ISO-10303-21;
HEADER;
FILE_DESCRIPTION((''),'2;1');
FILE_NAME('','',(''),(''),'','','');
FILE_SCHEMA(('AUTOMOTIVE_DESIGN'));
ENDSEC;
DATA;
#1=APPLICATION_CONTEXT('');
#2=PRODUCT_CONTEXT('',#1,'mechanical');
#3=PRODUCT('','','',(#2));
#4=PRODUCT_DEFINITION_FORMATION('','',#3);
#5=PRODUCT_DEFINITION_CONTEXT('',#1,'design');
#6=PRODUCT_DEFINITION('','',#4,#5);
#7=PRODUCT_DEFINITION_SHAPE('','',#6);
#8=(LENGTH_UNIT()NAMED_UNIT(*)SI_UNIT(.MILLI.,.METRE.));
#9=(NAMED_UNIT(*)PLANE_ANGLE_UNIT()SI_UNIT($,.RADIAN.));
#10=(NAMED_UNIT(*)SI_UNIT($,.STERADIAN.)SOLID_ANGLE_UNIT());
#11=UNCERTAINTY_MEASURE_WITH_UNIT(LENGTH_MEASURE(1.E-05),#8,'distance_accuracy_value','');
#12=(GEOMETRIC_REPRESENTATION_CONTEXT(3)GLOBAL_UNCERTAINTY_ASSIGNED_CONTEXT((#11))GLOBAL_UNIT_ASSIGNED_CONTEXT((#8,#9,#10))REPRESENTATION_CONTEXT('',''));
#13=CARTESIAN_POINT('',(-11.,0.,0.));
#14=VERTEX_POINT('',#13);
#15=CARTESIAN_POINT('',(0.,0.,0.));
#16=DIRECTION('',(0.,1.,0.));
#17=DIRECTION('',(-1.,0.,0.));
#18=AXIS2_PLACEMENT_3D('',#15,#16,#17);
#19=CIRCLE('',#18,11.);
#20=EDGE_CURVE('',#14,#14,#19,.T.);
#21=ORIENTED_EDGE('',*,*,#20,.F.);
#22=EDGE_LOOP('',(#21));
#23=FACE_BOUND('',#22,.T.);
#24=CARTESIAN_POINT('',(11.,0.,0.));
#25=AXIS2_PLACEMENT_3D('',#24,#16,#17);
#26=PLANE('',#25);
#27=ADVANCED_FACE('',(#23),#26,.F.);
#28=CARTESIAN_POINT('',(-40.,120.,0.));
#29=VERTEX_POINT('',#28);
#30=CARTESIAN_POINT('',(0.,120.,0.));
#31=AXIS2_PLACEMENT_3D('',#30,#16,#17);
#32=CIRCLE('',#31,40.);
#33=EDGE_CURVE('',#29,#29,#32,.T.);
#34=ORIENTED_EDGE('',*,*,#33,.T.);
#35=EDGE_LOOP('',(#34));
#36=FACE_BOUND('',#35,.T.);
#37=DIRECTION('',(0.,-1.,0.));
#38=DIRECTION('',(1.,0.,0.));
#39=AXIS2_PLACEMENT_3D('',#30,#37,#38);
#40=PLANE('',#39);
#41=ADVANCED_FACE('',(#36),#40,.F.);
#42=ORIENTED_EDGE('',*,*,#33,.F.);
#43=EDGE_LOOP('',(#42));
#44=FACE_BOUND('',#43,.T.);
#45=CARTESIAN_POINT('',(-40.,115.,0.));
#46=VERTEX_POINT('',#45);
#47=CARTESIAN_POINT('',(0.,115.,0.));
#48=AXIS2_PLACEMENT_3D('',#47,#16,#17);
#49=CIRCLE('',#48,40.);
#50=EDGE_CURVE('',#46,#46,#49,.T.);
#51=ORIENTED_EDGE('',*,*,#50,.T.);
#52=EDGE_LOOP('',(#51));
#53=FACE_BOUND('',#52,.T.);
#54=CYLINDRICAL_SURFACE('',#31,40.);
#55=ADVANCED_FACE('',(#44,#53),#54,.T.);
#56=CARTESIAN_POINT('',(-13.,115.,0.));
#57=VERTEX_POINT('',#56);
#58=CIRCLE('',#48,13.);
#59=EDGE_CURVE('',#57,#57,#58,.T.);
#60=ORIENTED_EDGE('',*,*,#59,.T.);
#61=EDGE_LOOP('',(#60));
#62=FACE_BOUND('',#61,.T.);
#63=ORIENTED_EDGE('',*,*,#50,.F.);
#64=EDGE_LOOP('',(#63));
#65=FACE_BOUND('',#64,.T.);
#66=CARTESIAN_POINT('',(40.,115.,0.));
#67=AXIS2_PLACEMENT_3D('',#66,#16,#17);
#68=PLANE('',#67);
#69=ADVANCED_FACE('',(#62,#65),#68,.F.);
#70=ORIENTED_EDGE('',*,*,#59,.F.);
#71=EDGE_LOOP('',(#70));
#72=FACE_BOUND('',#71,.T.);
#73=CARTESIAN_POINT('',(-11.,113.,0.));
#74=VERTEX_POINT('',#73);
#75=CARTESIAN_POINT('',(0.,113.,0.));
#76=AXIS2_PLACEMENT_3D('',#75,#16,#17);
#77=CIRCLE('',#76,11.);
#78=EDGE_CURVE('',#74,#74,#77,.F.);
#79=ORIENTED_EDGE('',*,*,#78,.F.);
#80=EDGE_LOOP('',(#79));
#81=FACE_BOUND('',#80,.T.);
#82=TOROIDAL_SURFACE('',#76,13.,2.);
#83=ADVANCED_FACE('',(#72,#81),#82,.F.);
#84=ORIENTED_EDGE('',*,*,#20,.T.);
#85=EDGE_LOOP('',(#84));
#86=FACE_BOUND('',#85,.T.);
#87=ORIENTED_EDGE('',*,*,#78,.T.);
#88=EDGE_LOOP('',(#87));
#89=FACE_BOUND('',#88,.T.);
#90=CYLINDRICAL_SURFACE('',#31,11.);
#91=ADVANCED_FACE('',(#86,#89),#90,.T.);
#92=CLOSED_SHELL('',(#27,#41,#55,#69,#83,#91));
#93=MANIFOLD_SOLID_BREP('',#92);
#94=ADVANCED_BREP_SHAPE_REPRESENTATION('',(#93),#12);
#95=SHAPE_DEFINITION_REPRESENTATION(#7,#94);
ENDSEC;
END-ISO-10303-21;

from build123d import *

# Parameters (mm, degrees)
FILLET1_R = 2


with BuildPart() as part:
    # Sketch3 → Revolve1 (revolve)
    with BuildSketch(Plane.XY, mode=Mode.PRIVATE) as revolve1_sk:
        Polygon((0, 120), (0, 0), (11, 0), (11, 115), (40, 115), (40, 120), align=None)
    revolve(revolve1_sk.sketch.rotate(Axis((0, 120, 0), (0, -1, 0)), 180), axis=Axis((0, 120, 0), (0, -1, 0)))

    # Fillet1
    fillet1_edges = [part.edges().sort_by_distance(p)[0] for p in [
        (11, 115, 0),
    ]]
    fillet(fillet1_edges, radius=FILLET1_R)


solid = part.part
